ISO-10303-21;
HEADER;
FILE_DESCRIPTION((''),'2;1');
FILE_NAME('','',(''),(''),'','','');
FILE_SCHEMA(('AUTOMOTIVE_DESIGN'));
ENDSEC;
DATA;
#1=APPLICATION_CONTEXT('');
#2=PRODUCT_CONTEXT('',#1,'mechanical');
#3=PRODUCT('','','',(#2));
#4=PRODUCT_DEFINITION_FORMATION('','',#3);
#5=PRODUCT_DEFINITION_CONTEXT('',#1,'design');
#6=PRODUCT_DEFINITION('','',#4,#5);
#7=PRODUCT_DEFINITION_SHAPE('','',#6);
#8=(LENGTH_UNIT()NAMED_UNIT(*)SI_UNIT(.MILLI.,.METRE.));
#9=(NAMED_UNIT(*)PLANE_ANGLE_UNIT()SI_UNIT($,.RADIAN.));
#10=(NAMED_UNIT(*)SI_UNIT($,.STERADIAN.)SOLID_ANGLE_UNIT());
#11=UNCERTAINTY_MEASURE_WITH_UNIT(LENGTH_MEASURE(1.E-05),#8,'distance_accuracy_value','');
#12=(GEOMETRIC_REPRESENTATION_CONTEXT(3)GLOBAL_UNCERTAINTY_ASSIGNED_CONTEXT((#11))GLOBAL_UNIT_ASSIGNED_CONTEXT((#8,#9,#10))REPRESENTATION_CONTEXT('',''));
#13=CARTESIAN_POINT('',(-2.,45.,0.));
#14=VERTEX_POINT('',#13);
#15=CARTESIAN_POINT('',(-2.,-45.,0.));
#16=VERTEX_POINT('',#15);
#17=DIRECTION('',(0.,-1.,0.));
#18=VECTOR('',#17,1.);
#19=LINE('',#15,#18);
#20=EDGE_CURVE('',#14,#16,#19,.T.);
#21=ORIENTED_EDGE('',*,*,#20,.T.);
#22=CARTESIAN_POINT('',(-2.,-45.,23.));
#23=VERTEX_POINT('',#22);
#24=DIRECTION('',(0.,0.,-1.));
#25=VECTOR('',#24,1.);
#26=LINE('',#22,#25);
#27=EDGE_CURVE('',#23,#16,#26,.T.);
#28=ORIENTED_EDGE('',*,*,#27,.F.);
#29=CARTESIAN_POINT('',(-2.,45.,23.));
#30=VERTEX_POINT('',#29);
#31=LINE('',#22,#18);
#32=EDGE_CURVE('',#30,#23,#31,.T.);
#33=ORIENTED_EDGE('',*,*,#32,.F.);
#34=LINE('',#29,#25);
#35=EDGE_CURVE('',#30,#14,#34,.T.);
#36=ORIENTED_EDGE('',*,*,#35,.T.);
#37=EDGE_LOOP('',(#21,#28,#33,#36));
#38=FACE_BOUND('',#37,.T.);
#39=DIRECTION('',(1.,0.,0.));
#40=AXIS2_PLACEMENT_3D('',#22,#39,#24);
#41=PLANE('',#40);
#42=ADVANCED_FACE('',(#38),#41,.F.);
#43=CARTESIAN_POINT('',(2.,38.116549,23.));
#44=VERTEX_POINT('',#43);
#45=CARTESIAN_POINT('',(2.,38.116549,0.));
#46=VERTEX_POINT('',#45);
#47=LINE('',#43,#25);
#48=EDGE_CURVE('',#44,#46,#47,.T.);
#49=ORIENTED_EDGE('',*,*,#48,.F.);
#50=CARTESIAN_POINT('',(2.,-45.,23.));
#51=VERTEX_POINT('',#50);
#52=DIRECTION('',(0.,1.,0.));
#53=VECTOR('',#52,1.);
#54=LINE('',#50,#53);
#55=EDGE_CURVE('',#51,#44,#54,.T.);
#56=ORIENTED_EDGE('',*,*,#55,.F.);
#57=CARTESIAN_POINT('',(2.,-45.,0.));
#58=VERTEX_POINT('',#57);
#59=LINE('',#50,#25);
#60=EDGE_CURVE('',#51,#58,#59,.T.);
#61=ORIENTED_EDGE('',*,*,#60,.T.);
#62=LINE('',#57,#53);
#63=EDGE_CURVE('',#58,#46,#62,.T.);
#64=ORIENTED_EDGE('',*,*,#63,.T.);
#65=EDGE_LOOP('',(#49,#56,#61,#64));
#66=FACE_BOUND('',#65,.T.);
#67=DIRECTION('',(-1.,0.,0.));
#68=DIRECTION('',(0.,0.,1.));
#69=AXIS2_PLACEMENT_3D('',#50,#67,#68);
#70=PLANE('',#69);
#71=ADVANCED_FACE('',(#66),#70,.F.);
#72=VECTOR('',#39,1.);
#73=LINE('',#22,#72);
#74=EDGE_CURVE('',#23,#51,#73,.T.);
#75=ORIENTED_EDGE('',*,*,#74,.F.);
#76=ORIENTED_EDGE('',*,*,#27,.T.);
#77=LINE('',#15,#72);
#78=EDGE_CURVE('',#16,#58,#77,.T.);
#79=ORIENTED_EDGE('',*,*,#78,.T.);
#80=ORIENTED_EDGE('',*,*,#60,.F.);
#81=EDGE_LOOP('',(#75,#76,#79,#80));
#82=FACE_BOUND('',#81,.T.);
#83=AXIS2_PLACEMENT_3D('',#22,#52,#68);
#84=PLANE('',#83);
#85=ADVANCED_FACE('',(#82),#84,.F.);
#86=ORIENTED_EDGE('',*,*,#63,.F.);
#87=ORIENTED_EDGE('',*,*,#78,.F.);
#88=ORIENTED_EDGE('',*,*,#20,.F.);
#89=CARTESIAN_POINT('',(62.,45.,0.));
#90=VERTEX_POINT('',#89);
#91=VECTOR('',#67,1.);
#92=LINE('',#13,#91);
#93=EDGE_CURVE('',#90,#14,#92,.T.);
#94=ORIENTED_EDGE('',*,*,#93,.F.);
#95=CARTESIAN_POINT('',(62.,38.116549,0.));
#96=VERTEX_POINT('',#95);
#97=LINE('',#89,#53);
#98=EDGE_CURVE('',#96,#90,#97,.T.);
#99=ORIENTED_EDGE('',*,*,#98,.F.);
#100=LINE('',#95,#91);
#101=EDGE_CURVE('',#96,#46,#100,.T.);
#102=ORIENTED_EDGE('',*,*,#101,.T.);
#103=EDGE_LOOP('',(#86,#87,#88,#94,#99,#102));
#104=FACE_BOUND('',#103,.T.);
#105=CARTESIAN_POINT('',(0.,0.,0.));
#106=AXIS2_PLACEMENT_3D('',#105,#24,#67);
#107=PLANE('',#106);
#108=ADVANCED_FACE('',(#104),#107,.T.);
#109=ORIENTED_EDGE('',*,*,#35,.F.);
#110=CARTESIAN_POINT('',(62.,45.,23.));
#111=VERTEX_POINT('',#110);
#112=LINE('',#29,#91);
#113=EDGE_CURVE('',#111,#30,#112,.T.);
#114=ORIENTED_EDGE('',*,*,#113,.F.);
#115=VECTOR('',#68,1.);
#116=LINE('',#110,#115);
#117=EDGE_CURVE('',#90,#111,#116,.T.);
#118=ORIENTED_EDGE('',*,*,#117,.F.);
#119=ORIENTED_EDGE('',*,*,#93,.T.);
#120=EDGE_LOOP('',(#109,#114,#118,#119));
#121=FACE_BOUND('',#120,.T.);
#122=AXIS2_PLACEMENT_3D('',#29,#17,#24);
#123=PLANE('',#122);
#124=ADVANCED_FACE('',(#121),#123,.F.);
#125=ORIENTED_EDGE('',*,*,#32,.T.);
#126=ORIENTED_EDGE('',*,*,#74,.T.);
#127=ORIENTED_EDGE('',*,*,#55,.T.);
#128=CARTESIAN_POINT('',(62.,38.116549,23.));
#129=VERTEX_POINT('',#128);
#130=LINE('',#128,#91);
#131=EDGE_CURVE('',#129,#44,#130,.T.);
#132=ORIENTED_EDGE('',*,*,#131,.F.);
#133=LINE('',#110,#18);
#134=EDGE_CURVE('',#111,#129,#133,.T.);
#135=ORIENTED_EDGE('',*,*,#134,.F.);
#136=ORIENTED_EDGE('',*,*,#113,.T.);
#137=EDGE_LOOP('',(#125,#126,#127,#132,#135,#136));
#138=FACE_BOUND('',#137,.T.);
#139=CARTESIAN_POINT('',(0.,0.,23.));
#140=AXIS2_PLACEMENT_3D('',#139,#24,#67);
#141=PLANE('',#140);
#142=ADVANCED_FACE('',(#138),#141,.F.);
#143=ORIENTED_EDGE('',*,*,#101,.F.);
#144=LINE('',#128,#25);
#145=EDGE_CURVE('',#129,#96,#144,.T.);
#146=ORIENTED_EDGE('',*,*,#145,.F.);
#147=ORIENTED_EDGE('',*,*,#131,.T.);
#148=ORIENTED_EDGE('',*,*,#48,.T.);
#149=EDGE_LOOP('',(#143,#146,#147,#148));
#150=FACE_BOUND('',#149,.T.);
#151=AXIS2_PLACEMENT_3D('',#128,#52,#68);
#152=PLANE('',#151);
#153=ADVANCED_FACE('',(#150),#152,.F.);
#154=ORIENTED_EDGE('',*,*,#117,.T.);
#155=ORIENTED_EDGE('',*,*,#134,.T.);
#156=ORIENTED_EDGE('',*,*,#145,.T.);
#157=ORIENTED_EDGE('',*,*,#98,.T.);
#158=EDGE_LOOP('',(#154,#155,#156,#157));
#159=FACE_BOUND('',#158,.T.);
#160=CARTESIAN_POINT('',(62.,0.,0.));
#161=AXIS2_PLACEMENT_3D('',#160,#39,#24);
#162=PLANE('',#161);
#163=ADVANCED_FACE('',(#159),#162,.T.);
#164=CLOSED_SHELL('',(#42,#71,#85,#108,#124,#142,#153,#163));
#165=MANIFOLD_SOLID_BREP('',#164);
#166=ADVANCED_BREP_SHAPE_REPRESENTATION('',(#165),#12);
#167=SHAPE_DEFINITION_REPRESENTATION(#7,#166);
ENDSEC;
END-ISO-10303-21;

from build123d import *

# Parameters (mm, degrees)
SKETCH1_W           = 4
SKETCH1_H           = 90
BOSS_EXTRUDE1_DEPTH = 23
SKETCH2_W           = 23
SKETCH2_H           = 6.883450807
BOSS_EXTRUDE2_DEPTH = 60


with BuildPart() as part:
    # Sketch1 → Boss-Extrude1 (new body)
    with BuildSketch(Plane.XY):
        Rectangle(SKETCH1_W, SKETCH1_H)
    extrude(amount=BOSS_EXTRUDE1_DEPTH)

    # Sketch2 → Boss-Extrude2 (add)
    with BuildSketch(Plane(origin=(2, 0, 0), x_dir=(0, 0, -1), z_dir=(1, 0, 0))):
        with Locations((-11.5, 41.558274596)):
            Rectangle(SKETCH2_W, SKETCH2_H)
    extrude(amount=BOSS_EXTRUDE2_DEPTH)


solid = part.part
